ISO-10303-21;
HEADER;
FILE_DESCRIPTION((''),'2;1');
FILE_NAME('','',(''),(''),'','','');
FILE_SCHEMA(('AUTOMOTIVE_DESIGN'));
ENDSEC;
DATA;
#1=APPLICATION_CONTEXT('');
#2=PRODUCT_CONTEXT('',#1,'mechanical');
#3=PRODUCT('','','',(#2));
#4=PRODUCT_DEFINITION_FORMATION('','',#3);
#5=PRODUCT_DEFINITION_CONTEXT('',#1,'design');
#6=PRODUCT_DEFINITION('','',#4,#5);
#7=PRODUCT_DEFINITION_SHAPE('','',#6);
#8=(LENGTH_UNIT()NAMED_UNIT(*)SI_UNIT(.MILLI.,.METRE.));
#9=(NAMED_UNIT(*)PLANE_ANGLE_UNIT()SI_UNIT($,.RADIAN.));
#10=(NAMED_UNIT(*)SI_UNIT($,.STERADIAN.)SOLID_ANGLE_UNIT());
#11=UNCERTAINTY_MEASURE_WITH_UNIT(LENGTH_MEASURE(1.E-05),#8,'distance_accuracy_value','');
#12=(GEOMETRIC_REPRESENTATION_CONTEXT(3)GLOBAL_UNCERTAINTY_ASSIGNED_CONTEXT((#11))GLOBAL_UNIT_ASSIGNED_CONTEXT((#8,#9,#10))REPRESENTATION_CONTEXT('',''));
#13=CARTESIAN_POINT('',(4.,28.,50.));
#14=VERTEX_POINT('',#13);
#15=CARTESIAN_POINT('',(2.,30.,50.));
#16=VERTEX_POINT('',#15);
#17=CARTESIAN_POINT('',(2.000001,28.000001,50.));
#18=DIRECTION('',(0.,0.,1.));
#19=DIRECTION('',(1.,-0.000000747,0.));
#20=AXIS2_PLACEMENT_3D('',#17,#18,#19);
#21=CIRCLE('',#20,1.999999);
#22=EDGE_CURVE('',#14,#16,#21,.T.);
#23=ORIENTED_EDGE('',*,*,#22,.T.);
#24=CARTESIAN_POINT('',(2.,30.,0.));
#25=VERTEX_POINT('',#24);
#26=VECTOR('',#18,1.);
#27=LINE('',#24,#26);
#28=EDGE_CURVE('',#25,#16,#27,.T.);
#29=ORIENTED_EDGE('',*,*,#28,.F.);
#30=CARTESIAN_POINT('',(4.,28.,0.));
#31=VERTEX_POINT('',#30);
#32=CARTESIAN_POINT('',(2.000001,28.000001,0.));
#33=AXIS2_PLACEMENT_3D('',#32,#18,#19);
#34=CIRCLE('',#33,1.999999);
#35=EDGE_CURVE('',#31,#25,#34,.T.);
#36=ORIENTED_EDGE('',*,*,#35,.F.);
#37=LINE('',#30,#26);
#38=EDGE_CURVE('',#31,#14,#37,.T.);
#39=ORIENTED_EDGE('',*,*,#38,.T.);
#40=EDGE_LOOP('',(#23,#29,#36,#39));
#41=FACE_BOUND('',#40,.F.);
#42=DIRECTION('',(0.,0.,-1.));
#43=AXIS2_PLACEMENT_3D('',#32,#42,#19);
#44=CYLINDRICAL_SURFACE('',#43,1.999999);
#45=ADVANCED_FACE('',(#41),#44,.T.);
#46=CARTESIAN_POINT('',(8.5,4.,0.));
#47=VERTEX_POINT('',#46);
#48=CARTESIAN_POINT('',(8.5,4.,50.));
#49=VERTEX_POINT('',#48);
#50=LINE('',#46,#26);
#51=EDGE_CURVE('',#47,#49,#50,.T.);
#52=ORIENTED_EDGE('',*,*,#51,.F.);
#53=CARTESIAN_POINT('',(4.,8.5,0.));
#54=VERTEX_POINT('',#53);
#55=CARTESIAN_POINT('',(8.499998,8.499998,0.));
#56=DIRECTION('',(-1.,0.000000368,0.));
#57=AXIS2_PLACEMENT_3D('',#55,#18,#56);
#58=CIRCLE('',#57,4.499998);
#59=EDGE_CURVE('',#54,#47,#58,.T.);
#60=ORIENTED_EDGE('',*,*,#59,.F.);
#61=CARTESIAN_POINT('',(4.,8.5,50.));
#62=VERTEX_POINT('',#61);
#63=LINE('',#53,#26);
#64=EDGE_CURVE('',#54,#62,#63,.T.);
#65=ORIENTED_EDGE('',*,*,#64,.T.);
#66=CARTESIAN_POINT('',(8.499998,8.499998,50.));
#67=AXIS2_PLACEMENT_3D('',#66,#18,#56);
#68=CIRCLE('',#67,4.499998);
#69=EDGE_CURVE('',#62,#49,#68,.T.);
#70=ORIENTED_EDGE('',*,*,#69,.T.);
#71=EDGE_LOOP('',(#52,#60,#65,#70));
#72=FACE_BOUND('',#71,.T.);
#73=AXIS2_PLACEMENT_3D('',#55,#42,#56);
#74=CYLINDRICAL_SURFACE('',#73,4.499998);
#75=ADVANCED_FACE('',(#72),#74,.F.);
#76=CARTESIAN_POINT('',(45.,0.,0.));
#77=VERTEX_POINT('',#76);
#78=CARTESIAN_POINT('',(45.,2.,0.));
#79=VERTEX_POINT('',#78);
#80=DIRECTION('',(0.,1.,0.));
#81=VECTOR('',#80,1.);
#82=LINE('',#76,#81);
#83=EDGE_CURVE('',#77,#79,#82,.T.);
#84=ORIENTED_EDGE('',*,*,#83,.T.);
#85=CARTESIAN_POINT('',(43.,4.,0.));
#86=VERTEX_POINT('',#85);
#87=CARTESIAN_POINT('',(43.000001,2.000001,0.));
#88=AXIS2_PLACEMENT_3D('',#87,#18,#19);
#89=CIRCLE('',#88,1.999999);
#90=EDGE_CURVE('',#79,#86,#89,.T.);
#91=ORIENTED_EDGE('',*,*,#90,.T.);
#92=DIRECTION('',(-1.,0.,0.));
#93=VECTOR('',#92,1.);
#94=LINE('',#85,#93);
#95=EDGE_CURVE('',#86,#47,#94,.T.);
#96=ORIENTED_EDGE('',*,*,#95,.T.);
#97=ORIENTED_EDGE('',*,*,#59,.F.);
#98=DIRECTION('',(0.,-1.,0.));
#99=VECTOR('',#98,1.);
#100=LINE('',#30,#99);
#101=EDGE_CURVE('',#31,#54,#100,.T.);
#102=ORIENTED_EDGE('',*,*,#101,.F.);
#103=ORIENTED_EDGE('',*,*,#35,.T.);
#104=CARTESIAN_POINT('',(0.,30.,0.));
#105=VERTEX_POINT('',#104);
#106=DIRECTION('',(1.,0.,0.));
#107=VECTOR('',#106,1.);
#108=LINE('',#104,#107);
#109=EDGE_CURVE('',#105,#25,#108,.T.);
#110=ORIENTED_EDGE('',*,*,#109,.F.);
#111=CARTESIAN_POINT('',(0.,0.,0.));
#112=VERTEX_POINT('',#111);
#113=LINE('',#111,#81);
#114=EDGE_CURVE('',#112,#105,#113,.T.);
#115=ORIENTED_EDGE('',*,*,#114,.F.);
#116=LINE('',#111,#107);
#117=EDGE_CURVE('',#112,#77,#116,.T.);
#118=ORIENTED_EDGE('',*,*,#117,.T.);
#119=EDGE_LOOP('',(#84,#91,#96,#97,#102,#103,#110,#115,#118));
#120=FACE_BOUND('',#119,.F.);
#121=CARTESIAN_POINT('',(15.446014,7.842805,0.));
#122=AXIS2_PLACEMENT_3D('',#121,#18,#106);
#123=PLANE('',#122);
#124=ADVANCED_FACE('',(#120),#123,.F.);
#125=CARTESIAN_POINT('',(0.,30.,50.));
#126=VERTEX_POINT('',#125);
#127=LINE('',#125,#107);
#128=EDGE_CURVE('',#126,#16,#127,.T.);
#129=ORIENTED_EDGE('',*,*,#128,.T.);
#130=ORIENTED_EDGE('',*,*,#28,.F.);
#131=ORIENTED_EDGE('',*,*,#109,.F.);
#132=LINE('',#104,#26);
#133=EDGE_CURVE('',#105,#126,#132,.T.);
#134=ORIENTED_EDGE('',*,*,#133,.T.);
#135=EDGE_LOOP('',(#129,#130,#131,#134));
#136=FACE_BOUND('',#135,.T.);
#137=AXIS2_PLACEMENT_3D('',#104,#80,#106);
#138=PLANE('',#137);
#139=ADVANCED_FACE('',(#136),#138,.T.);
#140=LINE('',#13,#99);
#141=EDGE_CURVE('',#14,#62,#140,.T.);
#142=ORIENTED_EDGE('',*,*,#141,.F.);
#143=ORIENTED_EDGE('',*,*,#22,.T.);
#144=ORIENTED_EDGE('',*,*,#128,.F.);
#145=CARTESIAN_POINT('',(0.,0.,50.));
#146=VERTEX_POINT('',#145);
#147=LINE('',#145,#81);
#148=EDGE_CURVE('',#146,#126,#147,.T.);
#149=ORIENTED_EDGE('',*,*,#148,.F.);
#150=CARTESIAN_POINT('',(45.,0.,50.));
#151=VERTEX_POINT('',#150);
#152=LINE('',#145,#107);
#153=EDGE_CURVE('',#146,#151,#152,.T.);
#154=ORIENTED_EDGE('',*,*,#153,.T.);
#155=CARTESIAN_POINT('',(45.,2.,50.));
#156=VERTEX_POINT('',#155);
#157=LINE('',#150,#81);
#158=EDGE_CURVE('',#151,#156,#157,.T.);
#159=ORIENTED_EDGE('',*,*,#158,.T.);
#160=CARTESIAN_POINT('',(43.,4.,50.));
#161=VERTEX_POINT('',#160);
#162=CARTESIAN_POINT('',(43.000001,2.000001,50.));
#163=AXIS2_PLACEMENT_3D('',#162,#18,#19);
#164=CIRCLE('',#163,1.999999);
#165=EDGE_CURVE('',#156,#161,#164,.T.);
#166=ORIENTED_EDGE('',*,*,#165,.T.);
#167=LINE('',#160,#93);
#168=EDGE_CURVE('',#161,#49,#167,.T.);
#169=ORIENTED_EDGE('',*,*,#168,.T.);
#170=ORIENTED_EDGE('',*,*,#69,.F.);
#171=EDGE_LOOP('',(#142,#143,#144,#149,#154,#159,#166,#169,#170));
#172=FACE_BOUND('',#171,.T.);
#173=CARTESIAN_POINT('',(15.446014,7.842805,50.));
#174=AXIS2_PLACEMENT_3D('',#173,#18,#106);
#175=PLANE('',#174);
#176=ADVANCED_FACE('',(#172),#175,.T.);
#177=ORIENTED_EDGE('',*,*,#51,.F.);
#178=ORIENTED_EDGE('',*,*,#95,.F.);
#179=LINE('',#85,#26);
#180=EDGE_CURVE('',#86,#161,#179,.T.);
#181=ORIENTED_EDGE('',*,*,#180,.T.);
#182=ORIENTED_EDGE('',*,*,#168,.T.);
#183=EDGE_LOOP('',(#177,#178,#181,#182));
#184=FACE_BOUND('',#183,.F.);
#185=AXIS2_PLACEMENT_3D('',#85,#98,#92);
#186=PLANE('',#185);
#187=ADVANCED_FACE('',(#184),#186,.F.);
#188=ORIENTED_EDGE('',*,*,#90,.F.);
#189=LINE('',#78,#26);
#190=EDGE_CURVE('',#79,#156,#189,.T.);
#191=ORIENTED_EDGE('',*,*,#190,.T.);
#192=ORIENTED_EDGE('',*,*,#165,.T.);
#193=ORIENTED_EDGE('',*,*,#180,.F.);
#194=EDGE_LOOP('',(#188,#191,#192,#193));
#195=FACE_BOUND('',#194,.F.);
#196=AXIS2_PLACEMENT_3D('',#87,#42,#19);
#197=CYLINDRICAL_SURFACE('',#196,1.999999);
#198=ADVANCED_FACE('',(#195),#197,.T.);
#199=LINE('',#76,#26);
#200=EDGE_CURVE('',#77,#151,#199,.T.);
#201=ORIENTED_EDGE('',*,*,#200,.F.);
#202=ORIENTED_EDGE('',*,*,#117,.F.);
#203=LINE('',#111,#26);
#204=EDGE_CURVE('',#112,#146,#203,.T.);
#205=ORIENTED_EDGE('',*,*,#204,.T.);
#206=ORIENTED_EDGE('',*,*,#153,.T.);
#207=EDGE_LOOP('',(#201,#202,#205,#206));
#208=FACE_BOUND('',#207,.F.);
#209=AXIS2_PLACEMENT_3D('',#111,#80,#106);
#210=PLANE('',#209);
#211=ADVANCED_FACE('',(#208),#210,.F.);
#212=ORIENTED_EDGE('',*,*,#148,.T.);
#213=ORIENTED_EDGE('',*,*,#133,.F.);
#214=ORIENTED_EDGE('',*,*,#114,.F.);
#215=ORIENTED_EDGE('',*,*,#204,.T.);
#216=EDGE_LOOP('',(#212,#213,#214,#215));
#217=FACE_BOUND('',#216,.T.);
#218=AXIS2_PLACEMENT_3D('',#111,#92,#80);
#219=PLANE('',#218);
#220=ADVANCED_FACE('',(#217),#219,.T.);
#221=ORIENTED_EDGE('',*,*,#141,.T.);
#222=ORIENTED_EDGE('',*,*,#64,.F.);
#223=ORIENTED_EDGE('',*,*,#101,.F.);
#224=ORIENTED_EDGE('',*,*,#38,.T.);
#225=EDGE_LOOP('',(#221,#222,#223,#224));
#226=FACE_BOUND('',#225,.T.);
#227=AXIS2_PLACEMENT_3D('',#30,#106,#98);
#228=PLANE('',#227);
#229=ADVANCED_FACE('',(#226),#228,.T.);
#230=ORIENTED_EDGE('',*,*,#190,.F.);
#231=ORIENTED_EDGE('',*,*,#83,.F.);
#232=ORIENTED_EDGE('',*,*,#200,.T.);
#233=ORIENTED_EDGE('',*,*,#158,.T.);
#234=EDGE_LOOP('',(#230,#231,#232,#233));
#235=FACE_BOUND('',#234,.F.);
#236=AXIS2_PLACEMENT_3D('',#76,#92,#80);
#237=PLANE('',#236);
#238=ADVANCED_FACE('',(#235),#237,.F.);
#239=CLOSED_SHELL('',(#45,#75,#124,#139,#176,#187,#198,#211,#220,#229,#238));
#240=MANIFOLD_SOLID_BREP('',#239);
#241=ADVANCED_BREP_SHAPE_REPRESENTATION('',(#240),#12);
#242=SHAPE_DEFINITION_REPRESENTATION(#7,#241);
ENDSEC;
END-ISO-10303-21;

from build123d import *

# Parameters (mm, degrees)
EXTRUDE_DEPTH = 50


with BuildPart() as part:
    # Sketch → Extrude (new body)
    with BuildSketch(Plane.XY):
        with BuildLine():
            Line((0, 0), (45, 0))
            Line((45, 0), (45, 2))
            ThreePointArc((45, 2), (44.414214, 3.414214), (43, 4))
            Line((43, 4), (8.5, 4))
            ThreePointArc((4, 8.5), (5.318019, 5.318019), (8.5, 4))
            Line((4, 28), (4, 8.5))
            ThreePointArc((4, 28), (3.414214, 29.414214), (2, 30))
            Line((0, 30), (2, 30))
            Line((0, 0), (0, 30))
        make_face()
    extrude(amount=EXTRUDE_DEPTH)


solid = part.part
